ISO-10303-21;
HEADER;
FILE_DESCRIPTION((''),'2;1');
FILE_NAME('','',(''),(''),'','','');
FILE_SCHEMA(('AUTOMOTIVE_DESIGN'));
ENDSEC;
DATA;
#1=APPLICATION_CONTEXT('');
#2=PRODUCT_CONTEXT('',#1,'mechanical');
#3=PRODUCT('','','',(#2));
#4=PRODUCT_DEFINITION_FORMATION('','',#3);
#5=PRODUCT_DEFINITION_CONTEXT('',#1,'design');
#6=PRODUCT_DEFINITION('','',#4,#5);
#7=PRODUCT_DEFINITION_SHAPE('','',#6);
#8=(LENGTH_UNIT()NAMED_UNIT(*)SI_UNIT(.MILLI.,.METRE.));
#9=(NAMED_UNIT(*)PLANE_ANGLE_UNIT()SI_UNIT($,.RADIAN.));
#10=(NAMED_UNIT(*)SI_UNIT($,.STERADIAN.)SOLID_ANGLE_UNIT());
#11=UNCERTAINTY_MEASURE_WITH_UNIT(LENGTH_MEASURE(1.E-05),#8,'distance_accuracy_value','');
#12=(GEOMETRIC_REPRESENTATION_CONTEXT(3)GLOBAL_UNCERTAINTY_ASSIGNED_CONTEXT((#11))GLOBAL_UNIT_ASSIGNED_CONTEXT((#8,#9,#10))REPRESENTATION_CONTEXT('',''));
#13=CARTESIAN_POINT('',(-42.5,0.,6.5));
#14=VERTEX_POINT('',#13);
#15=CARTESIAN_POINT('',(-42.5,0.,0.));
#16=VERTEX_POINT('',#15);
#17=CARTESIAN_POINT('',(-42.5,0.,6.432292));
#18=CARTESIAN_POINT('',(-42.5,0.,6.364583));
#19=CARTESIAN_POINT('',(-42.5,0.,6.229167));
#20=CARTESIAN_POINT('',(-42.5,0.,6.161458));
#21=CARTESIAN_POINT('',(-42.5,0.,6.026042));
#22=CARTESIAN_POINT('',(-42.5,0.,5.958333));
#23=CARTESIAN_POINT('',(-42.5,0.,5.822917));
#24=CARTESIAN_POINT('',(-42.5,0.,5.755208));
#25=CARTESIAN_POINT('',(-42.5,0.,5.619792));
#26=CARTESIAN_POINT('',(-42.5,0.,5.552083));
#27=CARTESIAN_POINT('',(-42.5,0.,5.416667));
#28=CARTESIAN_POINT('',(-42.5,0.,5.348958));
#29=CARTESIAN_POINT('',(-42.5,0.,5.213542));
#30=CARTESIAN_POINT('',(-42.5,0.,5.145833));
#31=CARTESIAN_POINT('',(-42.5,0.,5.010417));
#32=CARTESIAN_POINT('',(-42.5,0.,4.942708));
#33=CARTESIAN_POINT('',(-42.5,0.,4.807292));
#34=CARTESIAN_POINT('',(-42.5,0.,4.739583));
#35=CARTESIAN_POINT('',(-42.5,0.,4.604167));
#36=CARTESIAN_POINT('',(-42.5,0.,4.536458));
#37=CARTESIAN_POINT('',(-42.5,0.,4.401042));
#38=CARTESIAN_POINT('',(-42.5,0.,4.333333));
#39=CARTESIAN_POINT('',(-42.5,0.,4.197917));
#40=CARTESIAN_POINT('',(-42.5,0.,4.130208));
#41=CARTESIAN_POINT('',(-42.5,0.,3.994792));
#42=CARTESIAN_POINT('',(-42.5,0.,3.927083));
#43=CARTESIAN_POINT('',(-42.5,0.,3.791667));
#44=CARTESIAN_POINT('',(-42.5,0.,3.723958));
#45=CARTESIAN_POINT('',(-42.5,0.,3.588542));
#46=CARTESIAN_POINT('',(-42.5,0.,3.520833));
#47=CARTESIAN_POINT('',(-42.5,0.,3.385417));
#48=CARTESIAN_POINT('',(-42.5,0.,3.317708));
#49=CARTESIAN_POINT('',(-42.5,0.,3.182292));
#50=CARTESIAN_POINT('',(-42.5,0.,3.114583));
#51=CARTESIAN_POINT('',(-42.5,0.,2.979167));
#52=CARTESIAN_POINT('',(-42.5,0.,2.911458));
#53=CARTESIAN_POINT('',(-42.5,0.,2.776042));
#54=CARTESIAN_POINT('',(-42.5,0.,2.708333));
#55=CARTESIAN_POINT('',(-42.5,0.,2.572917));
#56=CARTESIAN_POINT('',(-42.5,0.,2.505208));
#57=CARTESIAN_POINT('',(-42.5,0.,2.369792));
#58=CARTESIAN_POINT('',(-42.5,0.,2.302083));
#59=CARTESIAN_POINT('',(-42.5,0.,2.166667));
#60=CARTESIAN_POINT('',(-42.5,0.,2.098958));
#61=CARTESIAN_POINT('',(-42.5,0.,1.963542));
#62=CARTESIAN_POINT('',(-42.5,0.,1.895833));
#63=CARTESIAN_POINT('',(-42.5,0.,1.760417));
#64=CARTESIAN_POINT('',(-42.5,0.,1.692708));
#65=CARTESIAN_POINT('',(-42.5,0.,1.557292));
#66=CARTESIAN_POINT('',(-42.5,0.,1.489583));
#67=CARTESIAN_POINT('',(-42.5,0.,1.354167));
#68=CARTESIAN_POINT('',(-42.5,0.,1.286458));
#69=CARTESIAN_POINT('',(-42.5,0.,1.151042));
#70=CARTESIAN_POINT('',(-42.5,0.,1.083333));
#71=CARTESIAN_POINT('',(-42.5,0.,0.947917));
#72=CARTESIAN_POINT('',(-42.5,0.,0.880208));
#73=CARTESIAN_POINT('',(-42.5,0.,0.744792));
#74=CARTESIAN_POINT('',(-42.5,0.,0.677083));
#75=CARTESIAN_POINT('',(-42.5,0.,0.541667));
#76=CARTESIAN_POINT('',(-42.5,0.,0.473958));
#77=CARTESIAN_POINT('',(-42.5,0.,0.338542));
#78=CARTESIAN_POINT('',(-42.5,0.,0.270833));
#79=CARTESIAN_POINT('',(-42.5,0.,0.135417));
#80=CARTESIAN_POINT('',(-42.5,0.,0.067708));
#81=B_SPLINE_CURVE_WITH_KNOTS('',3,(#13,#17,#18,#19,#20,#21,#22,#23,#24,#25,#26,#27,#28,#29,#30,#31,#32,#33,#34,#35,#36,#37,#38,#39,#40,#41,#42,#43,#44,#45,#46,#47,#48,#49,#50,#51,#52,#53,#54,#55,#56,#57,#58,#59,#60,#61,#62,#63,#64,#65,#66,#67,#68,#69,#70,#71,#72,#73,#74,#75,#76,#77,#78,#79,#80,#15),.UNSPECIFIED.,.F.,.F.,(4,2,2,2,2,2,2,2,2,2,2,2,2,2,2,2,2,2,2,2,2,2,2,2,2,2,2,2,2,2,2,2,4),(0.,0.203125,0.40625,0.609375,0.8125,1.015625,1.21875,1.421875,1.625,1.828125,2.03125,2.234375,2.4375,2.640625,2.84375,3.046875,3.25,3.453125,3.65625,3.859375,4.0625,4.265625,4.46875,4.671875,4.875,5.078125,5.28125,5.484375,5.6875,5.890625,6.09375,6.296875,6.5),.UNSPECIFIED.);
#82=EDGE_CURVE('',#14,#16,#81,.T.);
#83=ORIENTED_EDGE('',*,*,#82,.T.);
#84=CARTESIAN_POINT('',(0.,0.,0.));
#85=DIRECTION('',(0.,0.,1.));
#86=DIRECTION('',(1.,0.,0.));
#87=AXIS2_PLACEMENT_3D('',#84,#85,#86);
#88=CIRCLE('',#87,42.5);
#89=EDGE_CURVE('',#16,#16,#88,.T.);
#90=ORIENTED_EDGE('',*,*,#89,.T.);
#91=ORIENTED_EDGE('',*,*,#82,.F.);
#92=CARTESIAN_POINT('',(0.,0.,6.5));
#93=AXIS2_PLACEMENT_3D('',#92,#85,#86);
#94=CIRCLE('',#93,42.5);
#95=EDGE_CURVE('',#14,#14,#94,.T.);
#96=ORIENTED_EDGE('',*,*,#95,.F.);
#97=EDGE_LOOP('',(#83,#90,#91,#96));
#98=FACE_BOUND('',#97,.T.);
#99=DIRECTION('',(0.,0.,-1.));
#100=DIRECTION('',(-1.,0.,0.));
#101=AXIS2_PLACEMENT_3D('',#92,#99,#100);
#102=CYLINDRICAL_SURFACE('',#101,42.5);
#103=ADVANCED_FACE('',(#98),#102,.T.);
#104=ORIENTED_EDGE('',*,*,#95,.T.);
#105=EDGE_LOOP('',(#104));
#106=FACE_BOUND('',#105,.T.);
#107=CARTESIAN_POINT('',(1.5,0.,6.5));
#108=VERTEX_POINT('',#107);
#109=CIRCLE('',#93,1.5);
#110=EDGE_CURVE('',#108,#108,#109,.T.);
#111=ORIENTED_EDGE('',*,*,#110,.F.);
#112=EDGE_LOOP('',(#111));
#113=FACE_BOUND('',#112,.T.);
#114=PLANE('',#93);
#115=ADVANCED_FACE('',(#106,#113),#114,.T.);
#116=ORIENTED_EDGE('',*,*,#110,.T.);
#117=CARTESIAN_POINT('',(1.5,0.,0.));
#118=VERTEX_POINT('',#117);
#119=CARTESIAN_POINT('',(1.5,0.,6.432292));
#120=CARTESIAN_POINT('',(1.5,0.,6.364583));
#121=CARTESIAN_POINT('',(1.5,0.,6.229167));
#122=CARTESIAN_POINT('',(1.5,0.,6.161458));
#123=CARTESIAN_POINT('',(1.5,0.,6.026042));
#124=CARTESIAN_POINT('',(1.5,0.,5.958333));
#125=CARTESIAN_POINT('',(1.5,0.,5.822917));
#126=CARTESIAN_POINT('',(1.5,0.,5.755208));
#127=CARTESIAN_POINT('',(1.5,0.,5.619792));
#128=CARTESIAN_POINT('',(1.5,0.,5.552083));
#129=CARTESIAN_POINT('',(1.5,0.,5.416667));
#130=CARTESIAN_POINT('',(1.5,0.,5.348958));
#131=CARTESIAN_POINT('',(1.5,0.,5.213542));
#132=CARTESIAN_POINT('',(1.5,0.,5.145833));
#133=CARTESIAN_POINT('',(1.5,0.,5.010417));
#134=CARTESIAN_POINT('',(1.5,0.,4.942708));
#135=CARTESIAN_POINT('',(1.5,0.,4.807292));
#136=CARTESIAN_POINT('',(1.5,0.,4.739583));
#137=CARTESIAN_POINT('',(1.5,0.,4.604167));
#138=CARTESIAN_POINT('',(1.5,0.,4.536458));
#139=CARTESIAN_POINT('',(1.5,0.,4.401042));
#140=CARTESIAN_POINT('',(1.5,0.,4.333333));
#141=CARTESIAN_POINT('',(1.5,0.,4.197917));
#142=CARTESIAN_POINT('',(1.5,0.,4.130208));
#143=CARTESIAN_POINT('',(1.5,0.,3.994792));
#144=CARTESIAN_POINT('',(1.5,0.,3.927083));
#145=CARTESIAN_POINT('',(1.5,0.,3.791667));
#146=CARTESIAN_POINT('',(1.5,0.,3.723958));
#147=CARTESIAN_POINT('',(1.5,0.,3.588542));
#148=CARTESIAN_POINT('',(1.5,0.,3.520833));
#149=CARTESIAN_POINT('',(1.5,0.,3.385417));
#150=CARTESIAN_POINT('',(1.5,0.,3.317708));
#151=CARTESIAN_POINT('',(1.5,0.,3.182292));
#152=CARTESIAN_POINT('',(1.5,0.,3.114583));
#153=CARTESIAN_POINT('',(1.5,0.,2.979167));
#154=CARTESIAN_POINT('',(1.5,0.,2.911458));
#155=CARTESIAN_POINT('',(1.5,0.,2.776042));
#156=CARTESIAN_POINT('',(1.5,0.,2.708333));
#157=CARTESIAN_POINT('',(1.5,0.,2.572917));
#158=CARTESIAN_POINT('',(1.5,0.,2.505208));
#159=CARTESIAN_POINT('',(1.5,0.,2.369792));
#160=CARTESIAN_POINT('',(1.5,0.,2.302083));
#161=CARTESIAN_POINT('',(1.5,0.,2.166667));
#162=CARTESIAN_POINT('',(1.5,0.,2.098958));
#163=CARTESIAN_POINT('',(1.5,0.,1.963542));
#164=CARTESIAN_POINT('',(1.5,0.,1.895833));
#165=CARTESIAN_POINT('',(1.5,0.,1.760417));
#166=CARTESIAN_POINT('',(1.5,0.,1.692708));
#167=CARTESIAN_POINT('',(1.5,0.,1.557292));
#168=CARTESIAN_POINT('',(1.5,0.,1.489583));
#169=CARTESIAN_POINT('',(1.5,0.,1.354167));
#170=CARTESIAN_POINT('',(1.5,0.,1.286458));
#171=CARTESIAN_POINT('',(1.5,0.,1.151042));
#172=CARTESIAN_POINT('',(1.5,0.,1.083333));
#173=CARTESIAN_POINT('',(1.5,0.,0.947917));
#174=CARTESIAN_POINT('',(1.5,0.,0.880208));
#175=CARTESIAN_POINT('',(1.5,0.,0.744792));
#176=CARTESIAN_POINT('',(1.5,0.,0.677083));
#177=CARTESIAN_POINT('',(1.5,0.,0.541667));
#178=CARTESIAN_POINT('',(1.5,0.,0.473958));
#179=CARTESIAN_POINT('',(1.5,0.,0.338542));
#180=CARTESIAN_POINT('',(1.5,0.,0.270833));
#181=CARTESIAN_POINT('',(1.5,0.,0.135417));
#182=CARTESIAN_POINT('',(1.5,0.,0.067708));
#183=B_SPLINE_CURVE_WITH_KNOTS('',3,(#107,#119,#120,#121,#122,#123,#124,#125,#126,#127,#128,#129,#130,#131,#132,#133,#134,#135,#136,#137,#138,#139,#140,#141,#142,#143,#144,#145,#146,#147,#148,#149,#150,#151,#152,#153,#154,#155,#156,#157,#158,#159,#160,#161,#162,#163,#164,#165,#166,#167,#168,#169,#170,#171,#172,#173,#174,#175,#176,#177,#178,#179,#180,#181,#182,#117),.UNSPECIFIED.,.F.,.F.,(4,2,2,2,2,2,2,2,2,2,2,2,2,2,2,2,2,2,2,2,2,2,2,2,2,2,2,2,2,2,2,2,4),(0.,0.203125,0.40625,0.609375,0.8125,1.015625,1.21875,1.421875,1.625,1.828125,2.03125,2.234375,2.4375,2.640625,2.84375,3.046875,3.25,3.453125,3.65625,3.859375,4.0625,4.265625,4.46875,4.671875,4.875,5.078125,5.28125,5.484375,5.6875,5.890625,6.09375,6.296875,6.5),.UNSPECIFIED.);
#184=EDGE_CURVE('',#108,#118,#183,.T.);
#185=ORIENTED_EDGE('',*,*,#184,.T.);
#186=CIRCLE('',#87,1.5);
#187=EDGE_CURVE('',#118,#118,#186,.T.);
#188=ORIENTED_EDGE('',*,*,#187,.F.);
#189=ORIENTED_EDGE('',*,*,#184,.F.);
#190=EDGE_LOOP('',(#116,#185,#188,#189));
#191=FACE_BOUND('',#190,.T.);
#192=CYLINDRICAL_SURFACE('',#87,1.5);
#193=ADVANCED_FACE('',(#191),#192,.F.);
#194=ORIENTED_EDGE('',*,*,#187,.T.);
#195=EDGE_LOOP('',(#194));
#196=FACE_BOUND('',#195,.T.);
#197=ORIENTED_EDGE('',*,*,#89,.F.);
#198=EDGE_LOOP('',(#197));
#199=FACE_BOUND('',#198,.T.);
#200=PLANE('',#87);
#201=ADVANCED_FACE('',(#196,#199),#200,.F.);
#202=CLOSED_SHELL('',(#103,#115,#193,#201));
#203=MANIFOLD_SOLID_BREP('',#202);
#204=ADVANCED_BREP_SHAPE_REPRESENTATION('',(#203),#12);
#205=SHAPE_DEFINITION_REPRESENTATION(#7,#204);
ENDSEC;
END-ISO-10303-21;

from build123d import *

# Parameters (mm, degrees)
SKIZZE1_R                            = 42.5
AUFSATZ_LINEAR_AUSTRAGEN1_DEPTH      = 6.5
SCHNITT_LINEAR_AUSTRAGEN1_DEPTH      = 61.454528366
SCHNITT_LINEAR_AUSTRAGEN1_DEPTH_BACK = 61.454528366
SKIZZE2_R                            = 1.5


with BuildPart() as part:
    # Skizze1 → Aufsatz-Linear austragen1 (new body)
    with BuildSketch(Plane.XY):
        with Locations(Location((0, 0, 0), (0, 0, 180))):
            Circle(SKIZZE1_R)
    extrude(amount=AUFSATZ_LINEAR_AUSTRAGEN1_DEPTH)

    # Skizze2 → Schnitt-Linear austragen1 (cut, two sides: drawn at the far end of the back side and taken through both)
    with BuildSketch(Plane.XY.offset(6.5).offset(-SCHNITT_LINEAR_AUSTRAGEN1_DEPTH_BACK)):
        Circle(SKIZZE2_R)
    extrude(amount=SCHNITT_LINEAR_AUSTRAGEN1_DEPTH + SCHNITT_LINEAR_AUSTRAGEN1_DEPTH_BACK, mode=Mode.SUBTRACT)


solid = part.part
